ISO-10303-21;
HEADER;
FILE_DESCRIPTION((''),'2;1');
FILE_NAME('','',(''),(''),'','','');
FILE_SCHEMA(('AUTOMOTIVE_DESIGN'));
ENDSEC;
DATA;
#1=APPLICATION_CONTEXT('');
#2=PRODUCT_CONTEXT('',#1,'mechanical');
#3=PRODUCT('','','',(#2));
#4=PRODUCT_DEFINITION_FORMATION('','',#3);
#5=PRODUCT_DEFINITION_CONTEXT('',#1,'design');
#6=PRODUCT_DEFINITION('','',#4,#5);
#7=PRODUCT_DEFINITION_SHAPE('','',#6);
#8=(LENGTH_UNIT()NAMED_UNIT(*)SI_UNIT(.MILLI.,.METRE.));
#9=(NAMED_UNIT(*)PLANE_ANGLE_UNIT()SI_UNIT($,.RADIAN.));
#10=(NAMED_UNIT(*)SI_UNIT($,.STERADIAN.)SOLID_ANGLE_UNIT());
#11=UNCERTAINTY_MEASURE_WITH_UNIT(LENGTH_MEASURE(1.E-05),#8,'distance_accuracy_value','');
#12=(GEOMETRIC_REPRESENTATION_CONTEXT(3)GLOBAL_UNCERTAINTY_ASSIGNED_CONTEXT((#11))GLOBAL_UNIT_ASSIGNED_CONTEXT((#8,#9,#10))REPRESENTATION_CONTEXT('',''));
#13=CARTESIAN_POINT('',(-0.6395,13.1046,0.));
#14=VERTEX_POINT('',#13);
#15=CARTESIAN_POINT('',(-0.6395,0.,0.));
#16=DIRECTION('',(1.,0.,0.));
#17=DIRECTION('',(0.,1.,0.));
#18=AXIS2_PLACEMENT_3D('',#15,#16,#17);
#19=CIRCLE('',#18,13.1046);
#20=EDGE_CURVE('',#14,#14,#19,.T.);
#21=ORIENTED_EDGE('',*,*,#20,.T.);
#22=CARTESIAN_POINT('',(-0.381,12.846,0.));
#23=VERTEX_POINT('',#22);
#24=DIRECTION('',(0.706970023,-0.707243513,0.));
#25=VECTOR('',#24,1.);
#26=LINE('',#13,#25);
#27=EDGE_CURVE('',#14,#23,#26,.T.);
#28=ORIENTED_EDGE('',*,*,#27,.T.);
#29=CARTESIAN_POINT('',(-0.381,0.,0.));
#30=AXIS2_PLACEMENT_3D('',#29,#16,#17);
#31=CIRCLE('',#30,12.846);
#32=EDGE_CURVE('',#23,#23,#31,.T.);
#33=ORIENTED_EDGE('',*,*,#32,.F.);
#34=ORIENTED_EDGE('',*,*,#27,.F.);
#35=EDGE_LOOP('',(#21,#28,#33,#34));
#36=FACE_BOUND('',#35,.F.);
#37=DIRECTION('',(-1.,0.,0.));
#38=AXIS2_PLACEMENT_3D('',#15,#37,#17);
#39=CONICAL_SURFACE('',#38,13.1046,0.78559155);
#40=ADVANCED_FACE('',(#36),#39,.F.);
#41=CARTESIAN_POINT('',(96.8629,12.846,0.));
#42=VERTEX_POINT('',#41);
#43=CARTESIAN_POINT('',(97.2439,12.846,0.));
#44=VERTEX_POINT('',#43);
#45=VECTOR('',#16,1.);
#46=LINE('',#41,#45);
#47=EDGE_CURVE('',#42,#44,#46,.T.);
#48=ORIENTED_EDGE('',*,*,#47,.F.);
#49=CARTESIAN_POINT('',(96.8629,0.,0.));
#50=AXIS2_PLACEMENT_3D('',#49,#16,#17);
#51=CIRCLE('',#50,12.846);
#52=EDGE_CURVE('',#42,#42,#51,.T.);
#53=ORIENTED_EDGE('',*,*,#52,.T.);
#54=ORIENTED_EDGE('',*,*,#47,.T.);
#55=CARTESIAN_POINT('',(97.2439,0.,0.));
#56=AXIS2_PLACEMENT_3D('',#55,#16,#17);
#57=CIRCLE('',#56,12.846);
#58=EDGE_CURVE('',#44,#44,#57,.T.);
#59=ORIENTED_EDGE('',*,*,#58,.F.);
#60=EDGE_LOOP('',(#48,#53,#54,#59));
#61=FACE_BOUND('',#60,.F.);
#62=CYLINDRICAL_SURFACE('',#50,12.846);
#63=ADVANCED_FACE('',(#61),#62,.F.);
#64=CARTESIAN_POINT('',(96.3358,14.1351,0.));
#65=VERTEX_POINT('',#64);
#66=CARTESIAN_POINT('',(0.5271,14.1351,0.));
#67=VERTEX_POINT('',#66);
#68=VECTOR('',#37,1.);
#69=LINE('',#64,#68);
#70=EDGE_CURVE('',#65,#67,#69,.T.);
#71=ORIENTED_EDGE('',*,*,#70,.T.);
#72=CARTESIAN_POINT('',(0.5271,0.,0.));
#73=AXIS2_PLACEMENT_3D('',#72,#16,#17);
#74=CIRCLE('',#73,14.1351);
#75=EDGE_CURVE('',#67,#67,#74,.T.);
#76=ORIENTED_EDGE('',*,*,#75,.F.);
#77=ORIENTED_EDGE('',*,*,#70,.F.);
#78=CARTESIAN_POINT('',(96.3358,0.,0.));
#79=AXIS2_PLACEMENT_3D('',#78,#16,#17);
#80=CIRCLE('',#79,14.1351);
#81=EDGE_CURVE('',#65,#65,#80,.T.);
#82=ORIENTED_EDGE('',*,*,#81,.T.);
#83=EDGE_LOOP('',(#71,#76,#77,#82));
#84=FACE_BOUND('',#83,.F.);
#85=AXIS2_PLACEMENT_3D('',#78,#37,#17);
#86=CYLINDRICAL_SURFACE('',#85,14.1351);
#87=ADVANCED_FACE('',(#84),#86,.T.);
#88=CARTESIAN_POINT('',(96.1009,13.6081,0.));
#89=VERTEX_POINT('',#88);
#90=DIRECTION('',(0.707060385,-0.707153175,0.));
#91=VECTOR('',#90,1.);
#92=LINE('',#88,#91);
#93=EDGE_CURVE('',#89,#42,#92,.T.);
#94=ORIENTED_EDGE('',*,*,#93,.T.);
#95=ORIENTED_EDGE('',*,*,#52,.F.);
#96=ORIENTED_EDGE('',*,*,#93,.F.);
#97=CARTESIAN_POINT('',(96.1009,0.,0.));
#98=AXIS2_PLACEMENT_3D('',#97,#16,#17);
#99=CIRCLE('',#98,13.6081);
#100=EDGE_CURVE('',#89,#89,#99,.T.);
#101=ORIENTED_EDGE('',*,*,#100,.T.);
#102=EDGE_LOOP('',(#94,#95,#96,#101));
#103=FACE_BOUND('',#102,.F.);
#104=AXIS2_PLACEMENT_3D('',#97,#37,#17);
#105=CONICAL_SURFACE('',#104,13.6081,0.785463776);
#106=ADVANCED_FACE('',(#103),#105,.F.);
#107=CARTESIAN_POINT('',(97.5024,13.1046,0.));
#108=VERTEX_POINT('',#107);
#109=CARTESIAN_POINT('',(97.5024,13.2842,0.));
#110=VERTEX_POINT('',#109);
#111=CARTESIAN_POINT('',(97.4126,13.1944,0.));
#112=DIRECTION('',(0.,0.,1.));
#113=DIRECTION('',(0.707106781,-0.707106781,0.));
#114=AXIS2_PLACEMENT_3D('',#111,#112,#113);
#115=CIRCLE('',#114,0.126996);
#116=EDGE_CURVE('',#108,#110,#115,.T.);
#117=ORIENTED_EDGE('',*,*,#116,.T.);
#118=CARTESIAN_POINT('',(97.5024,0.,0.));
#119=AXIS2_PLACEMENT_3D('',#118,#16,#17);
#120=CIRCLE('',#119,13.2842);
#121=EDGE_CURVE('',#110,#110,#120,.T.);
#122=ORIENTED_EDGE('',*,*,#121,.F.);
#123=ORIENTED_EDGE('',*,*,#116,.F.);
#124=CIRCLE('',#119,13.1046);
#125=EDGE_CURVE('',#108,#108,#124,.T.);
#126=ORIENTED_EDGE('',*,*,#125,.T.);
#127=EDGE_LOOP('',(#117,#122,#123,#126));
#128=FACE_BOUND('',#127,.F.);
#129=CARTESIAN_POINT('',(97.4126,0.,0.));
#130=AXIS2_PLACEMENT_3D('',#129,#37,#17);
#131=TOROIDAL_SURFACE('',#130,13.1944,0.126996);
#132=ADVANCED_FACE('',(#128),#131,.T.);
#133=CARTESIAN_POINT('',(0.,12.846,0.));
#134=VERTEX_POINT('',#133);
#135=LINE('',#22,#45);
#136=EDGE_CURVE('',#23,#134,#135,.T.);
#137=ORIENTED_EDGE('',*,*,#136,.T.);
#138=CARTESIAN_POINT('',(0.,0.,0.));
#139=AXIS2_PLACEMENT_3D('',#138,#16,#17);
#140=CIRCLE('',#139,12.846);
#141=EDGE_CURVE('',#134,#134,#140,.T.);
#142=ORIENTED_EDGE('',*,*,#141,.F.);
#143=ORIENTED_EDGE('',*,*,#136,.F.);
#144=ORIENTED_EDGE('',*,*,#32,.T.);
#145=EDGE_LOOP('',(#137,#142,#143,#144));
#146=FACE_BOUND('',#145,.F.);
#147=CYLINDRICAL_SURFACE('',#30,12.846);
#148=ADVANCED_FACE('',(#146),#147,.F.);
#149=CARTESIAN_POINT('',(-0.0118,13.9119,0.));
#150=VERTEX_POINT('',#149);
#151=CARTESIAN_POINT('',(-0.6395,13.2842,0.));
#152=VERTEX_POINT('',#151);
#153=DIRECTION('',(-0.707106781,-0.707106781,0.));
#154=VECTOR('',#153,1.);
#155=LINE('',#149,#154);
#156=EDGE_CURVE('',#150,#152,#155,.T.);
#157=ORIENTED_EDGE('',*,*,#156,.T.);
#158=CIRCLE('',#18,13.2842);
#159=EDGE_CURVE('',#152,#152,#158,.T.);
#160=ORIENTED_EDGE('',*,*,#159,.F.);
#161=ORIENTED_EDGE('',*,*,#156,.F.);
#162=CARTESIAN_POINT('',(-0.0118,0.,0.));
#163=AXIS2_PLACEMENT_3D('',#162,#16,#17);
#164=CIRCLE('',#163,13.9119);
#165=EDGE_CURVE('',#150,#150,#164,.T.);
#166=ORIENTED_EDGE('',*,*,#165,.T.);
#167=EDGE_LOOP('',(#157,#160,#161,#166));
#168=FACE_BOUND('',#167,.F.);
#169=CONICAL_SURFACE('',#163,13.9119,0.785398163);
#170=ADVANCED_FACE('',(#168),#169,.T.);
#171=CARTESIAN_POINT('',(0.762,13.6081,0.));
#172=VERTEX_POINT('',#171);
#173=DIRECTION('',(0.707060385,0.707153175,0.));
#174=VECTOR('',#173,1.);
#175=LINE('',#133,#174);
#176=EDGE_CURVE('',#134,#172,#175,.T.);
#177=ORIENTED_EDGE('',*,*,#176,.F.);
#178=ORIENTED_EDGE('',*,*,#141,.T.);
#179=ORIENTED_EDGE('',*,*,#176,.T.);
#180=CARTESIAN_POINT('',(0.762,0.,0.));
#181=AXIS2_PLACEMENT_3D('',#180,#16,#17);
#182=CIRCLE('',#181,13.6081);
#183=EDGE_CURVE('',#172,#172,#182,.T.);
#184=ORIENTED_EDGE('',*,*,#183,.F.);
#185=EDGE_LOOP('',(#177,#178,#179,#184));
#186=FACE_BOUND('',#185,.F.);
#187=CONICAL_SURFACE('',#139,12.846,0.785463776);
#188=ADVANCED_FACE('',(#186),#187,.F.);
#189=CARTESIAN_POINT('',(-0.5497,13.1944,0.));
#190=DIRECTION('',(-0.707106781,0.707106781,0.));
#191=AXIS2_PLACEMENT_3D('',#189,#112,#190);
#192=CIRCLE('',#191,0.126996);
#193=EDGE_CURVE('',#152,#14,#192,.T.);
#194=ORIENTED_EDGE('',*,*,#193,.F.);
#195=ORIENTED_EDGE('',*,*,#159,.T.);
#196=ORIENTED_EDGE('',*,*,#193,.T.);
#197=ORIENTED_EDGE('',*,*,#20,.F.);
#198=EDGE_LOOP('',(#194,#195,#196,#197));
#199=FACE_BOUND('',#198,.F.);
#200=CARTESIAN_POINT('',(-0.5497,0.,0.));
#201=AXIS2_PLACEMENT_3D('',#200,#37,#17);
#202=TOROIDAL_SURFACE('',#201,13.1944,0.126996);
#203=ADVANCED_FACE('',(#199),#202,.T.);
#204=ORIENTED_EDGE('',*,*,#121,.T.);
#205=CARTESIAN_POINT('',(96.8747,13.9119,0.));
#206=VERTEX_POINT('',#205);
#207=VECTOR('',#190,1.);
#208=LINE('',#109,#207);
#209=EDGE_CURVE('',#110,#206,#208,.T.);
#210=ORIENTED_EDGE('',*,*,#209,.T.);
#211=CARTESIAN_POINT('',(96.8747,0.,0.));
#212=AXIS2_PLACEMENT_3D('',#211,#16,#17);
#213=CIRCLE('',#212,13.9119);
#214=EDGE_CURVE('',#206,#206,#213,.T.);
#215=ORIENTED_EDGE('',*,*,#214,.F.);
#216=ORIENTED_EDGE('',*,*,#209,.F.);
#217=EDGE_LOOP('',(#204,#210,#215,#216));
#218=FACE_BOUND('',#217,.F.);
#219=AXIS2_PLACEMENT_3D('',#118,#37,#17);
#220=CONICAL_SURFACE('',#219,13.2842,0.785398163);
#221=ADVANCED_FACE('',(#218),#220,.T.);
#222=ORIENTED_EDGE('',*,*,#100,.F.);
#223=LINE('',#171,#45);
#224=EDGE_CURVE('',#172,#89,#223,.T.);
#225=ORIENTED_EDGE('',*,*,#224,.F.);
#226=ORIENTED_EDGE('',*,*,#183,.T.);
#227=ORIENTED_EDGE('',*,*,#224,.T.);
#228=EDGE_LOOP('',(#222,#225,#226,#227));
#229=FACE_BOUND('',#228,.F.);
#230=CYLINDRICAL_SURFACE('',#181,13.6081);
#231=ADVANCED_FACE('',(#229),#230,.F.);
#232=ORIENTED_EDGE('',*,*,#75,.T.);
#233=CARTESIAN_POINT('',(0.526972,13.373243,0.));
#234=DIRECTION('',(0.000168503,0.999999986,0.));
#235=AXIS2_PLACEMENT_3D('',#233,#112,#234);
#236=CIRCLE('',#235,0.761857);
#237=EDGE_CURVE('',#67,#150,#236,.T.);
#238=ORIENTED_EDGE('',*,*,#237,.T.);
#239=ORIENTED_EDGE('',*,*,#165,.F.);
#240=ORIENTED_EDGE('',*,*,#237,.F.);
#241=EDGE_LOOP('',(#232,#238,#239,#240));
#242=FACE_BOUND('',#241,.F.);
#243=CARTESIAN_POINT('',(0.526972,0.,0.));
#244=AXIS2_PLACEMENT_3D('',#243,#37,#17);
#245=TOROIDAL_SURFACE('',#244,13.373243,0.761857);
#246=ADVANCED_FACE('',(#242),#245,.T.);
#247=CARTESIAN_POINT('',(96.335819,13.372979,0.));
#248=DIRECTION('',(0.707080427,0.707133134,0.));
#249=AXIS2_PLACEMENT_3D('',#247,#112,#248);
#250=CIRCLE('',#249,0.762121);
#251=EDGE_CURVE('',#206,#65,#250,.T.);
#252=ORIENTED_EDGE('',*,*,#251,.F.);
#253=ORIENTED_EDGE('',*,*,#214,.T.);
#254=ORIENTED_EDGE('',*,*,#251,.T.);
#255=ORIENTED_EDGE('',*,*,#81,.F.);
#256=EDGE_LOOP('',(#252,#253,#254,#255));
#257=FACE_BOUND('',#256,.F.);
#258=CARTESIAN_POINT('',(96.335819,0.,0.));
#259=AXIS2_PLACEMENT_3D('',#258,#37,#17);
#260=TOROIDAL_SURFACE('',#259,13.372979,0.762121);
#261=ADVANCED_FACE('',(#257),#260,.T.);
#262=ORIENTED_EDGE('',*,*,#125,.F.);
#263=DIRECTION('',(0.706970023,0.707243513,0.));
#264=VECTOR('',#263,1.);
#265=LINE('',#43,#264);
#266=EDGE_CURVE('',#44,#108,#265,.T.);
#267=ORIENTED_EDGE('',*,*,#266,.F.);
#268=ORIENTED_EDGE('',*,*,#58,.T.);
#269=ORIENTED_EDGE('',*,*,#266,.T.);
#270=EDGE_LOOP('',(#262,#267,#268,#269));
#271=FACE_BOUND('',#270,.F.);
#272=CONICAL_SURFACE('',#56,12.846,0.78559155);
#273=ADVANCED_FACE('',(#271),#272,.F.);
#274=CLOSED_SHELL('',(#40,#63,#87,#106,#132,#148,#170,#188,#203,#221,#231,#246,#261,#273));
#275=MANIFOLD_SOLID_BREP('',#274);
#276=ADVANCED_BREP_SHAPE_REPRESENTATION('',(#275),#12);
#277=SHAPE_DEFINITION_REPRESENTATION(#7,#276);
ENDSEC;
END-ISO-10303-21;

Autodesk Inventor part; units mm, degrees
sketch "Sketch_1" plane through (0, 0, 0) normal (0, 0, 1) x (1, 0, 0)
  line L0 (96.8629, 0) -> (0, 0)
  arc A0 (-0.6395, 13.2842) -> (-0.6395, 13.1046) centre (-0.5497, 13.1944) ccw
  line L1 (-0.6395, 13.1046) -> (-0.381, 12.846)
  line L2 (-0.381, 12.846) -> (0, 12.846)
  line L3 (0, 12.846) -> (0.762, 13.6081)
  line L4 (0.762, 13.6081) -> (96.1009, 13.6081)
  line L5 (96.1009, 13.6081) -> (96.8629, 12.846)
  line L6 (96.8629, 12.846) -> (97.2439, 12.846)
  line L7 (97.2439, 12.846) -> (97.5024, 13.1046)
  arc A1 (97.5024, 13.1046) -> (97.5024, 13.2842) centre (97.4126, 13.1944) ccw
  line L8 (97.5024, 13.2842) -> (96.8747, 13.9119)
  arc A2 (96.8747, 13.9119) -> (96.3358, 14.1351) centre (96.3359, 13.3731) ccw
  line L9 (96.3358, 14.1351) -> (0.5271, 14.1351)
  arc A3 (0.5271, 14.1351) -> (-0.0118, 13.9119) centre (0.527, 13.3731) ccw
  line L10 (-0.0118, 13.9119) -> (-0.6395, 13.2842)
revolve "Revolution1" add sketch "Sketch_1" angle 360 about axis through (96.8629, 0, 0) along (1, 0, 0)
ref_plane "cp1_XY" through (48.4314, 14.1351, 0) normal (1, 0, 0) x (0, 0, -1)
ref_plane "cp1_YZ" through (48.4314, 14.1351, 0) normal (0, 0, -1) x (0, 1, 0)
ref_plane "cp1_ZX" through (48.4314, 14.1351, 0) normal (0, 1, 0) x (1, 0, 0)
ref_plane "cp2_XY" through (48.4314, 0, -14.1351) normal (1, 0, 0) x (0, 0, -1)
ref_plane "cp2_YZ" through (48.4314, 0, -14.1351) normal (0, 0, -1) x (0, 1, 0)
ref_plane "cp2_ZX" through (48.4314, 0, -14.1351) normal (0, 1, 0) x (1, 0, 0)
ref_plane "cp3_XY" through (48.4314, -14.1351, 0) normal (1, 0, 0) x (0, 0, -1)
ref_plane "cp3_YZ" through (48.4314, -14.1351, 0) normal (0, 0, -1) x (0, 1, 0)
ref_plane "cp3_ZX" through (48.4314, -14.1351, 0) normal (0, 1, 0) x (1, 0, 0)
ref_plane "cp4_XY" through (48.4314, 0, 14.1351) normal (1, 0, 0) x (0, 0, -1)
ref_plane "cp4_YZ" through (48.4314, 0, 14.1351) normal (0, 0, -1) x (0, 1, 0)
ref_plane "cp4_ZX" through (48.4314, 0, 14.1351) normal (0, 1, 0) x (1, 0, 0)
ref_plane "tube_front_XY" through (0, 0, 0) normal (1, 0, 0) x (0, 0, -1)
ref_plane "tube_front_YZ" through (0, 0, 0) normal (0, 0, -1) x (0, 1, 0)
ref_plane "tube_front_ZX" through (0, 0, 0) normal (0, 1, 0) x (1, 0, 0)
ref_plane "tube_rear_XY" through (96.8629, 0, 0) normal (1, 0, 0) x (0, 0, -1)
ref_plane "tube_rear_YZ" through (96.8629, 0, 0) normal (0, 0, -1) x (0, 1, 0)
ref_plane "tube_rear_ZX" through (96.8629, 0, 0) normal (0, 1, 0) x (1, 0, 0)
properties part number "09R-3.81350SR"
